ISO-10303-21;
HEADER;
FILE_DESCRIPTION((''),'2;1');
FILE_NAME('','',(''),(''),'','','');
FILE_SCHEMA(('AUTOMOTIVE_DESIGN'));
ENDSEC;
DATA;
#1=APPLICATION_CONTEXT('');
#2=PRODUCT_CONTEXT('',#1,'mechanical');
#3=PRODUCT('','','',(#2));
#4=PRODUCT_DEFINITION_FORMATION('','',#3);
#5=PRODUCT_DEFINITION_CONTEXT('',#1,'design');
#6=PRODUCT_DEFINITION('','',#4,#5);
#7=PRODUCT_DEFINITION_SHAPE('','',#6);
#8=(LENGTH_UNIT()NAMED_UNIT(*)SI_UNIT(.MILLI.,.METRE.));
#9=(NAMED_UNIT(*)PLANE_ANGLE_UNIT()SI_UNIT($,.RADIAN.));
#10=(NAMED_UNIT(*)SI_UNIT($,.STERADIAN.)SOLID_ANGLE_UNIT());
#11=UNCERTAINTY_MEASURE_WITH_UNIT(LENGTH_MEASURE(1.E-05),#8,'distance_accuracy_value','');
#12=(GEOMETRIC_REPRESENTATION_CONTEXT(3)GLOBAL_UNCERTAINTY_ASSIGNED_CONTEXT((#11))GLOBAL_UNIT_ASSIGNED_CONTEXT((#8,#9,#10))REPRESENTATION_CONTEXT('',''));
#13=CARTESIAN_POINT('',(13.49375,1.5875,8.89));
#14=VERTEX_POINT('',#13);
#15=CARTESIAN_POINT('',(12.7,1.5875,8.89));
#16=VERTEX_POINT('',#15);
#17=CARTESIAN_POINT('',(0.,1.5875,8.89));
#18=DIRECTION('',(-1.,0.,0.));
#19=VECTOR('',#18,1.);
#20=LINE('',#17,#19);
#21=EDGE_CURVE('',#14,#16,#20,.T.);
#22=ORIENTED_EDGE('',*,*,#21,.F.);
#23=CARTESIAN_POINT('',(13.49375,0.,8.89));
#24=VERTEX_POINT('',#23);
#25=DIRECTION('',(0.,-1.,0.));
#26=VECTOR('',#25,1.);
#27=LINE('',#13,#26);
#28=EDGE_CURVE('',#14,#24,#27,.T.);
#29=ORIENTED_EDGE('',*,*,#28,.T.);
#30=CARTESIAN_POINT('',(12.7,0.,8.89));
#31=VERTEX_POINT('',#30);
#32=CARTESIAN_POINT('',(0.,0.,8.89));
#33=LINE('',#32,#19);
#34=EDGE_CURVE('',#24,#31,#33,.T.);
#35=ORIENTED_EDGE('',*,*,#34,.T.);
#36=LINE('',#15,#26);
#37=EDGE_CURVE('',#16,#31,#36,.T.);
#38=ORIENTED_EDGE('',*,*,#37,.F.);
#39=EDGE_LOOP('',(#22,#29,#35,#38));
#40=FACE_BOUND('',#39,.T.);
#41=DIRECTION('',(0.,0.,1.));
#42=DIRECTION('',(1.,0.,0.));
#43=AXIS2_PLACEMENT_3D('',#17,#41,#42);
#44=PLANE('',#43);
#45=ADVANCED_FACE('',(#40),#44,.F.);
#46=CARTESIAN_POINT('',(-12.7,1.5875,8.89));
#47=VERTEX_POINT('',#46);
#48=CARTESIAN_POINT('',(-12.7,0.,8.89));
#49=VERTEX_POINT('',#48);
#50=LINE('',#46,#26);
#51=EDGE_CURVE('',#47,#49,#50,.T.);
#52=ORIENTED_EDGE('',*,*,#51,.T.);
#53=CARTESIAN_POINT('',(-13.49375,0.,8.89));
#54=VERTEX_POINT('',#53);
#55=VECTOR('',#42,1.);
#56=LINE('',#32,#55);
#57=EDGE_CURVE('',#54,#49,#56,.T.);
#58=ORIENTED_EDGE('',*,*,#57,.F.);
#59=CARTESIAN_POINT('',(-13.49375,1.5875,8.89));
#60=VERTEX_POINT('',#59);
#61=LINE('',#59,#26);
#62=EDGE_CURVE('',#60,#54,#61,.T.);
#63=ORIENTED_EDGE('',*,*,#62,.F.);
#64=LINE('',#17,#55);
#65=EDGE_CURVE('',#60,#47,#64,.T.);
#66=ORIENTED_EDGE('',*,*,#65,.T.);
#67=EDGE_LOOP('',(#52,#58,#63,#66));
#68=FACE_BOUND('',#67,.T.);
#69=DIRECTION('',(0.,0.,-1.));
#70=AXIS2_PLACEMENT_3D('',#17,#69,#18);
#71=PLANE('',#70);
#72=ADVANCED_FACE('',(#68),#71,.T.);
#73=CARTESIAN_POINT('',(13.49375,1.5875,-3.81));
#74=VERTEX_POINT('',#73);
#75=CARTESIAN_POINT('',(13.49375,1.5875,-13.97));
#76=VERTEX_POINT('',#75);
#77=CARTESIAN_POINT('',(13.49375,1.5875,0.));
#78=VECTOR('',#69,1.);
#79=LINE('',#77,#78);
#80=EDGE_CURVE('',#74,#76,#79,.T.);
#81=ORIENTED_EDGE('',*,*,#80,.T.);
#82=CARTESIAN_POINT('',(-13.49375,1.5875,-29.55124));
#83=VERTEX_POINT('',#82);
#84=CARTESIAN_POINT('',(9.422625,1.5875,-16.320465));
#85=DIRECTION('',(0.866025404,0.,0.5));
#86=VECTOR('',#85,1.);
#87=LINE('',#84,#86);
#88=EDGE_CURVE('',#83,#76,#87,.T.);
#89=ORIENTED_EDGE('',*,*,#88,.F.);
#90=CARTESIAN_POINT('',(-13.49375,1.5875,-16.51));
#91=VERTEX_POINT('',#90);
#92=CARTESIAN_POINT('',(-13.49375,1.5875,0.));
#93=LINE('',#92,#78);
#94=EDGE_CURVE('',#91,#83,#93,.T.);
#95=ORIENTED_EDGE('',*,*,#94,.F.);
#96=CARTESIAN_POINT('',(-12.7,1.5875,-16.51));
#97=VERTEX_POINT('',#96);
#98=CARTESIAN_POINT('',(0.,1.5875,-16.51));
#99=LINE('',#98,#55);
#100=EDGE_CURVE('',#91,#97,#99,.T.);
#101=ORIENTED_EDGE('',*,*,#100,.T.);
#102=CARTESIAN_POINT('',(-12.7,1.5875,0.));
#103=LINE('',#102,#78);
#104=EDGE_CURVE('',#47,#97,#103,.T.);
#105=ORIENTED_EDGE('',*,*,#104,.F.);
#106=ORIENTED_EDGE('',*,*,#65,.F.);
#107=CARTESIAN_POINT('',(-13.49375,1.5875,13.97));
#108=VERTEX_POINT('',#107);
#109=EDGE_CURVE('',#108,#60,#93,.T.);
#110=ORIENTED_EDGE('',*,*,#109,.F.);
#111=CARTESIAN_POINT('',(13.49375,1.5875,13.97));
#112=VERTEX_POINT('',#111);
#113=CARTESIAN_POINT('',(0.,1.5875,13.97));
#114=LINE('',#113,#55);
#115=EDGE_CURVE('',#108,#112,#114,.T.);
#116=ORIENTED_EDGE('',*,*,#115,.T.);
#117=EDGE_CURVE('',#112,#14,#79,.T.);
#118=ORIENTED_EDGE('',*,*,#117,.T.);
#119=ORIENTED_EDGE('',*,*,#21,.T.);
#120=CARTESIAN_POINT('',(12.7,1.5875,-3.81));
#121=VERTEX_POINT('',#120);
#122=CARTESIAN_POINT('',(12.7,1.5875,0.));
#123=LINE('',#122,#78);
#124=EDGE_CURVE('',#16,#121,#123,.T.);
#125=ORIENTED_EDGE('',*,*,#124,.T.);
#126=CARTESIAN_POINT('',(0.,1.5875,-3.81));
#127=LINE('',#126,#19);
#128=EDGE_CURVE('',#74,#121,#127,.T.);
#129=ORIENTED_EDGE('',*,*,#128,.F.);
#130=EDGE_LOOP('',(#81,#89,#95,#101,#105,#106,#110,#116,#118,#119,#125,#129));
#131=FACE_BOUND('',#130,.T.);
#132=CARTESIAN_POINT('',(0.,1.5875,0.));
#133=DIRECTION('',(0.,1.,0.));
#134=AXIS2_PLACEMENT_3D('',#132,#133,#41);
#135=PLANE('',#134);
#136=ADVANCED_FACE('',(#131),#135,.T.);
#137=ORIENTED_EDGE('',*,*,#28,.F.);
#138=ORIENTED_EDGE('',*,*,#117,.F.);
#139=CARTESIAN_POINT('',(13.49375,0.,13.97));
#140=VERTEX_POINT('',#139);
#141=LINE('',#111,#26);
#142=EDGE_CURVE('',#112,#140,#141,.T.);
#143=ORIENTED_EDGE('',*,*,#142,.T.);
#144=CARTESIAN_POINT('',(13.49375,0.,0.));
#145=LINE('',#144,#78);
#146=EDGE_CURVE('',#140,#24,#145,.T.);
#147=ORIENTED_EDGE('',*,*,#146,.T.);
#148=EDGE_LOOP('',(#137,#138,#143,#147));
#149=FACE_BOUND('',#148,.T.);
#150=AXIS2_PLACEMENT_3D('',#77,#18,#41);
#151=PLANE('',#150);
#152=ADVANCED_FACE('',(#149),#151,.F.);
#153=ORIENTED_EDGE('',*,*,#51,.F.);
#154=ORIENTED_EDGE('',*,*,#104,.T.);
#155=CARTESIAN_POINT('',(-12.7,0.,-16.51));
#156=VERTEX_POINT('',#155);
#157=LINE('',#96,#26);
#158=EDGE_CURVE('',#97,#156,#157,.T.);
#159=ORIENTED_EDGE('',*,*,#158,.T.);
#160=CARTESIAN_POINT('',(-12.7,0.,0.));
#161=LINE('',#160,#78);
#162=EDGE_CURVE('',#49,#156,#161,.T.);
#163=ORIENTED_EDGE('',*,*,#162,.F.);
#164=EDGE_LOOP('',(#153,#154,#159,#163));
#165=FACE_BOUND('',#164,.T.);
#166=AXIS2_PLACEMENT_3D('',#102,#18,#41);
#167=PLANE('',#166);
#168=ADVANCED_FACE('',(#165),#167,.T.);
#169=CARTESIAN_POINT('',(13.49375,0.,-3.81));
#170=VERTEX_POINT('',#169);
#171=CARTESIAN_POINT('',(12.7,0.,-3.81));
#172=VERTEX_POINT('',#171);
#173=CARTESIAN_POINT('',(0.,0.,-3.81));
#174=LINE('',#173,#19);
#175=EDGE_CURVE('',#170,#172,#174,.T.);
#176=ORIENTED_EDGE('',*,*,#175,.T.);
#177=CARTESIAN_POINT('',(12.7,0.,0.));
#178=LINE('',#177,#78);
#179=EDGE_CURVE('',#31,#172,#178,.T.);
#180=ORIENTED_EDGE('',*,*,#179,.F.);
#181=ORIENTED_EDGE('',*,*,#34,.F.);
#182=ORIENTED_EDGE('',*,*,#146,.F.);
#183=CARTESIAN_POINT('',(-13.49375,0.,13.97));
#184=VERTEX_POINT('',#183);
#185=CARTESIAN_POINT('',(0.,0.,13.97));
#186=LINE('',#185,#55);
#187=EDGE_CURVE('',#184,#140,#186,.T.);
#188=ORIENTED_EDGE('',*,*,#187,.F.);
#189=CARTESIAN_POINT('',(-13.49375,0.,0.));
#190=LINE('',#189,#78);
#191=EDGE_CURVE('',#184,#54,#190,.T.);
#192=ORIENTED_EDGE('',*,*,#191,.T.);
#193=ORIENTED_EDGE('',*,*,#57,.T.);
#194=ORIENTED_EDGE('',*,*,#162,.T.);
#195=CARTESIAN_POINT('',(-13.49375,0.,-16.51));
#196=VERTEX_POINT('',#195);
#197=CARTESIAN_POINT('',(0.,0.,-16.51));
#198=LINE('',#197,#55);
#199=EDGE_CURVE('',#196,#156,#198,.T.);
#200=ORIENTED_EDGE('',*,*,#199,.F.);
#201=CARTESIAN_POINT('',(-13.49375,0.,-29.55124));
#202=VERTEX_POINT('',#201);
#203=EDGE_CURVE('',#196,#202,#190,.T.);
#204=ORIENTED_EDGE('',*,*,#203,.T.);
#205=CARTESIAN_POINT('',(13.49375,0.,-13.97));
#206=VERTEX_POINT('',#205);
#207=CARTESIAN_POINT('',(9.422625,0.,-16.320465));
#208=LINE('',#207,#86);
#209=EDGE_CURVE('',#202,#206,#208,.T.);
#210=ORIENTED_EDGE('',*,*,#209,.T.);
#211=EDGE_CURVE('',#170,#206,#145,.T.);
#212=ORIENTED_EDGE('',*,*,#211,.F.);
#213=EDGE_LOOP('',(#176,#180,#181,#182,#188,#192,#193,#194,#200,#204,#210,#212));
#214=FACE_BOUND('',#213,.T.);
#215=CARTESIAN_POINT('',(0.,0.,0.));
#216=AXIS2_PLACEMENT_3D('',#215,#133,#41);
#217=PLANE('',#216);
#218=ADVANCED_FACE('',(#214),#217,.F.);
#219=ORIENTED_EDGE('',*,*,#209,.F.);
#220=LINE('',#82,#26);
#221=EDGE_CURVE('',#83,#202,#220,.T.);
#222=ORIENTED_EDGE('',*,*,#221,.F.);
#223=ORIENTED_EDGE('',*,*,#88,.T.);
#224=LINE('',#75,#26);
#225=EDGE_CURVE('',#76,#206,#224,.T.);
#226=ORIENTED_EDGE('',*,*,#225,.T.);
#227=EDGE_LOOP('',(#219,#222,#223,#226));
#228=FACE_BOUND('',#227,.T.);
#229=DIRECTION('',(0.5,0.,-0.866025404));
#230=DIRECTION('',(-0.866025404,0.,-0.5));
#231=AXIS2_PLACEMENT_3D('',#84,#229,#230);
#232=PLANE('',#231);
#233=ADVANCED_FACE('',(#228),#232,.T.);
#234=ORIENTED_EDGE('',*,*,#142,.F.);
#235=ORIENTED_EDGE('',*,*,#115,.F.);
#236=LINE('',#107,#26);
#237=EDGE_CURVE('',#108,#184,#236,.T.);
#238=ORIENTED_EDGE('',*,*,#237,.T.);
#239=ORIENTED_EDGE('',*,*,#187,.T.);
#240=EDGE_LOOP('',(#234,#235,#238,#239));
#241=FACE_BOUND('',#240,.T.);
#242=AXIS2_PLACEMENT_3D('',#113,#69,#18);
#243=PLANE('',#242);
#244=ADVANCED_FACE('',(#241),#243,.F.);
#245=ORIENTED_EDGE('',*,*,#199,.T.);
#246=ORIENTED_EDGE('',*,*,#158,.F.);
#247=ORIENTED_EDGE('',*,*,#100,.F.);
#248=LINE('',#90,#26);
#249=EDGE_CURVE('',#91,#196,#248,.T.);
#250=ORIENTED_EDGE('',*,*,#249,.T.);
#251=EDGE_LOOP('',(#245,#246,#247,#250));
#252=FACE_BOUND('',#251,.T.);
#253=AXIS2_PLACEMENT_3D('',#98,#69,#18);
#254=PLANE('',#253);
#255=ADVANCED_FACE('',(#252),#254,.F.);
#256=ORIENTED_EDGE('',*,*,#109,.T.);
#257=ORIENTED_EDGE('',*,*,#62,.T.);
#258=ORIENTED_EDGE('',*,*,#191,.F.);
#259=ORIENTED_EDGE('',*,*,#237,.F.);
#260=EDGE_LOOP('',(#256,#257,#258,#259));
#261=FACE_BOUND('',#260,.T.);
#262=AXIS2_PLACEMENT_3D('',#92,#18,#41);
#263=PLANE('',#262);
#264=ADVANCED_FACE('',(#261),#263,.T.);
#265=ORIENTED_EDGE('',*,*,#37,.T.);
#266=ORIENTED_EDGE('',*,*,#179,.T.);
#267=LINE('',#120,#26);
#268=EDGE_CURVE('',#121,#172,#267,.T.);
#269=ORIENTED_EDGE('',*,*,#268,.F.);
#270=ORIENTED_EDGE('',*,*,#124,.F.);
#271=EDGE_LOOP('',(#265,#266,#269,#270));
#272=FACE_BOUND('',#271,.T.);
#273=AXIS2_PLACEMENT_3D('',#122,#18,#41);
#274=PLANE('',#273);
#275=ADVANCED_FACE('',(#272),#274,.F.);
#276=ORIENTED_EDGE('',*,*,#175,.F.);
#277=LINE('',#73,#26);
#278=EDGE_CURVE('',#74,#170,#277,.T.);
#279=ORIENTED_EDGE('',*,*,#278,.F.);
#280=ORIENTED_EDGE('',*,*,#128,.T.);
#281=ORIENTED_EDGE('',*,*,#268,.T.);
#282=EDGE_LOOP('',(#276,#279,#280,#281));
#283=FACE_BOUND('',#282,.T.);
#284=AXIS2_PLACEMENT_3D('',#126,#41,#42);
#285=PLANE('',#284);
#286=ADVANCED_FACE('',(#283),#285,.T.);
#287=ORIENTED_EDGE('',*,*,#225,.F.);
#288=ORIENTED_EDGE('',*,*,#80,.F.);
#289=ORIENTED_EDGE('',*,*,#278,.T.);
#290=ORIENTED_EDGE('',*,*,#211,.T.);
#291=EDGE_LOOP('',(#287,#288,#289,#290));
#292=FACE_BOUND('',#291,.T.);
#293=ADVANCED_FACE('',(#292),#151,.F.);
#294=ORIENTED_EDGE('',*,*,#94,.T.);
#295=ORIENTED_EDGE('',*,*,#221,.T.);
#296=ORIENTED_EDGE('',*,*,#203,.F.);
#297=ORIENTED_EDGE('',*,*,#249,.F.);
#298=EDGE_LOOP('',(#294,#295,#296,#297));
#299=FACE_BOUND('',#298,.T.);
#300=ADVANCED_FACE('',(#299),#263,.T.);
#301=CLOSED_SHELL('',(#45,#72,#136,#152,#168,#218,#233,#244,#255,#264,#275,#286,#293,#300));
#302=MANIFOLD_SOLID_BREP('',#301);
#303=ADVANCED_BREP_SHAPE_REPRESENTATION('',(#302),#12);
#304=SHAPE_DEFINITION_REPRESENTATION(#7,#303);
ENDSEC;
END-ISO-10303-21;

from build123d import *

# Parameters (mm, degrees)
BOSS_EXTRUDE1_DEPTH = 1.5875


with BuildPart() as part:
    # Sketch1 → Boss-Extrude1 (new body)
    with BuildSketch(Plane(origin=(0, 0, 0), x_dir=(1, 0, 0), z_dir=(0, 1, 0))):
        Polygon((-13.49375, -8.89), (-13.49375, -13.97), (13.49375, -13.97), (13.49375, -8.89), (12.7, -8.89), (12.7, 3.81), (13.49375, 3.81), (13.49375, 13.97), (-13.49375, 29.55124039), (-13.49375, 16.51), (-12.7, 16.51), (-12.7, -8.89), align=None)
    extrude(amount=BOSS_EXTRUDE1_DEPTH)


solid = part.part
